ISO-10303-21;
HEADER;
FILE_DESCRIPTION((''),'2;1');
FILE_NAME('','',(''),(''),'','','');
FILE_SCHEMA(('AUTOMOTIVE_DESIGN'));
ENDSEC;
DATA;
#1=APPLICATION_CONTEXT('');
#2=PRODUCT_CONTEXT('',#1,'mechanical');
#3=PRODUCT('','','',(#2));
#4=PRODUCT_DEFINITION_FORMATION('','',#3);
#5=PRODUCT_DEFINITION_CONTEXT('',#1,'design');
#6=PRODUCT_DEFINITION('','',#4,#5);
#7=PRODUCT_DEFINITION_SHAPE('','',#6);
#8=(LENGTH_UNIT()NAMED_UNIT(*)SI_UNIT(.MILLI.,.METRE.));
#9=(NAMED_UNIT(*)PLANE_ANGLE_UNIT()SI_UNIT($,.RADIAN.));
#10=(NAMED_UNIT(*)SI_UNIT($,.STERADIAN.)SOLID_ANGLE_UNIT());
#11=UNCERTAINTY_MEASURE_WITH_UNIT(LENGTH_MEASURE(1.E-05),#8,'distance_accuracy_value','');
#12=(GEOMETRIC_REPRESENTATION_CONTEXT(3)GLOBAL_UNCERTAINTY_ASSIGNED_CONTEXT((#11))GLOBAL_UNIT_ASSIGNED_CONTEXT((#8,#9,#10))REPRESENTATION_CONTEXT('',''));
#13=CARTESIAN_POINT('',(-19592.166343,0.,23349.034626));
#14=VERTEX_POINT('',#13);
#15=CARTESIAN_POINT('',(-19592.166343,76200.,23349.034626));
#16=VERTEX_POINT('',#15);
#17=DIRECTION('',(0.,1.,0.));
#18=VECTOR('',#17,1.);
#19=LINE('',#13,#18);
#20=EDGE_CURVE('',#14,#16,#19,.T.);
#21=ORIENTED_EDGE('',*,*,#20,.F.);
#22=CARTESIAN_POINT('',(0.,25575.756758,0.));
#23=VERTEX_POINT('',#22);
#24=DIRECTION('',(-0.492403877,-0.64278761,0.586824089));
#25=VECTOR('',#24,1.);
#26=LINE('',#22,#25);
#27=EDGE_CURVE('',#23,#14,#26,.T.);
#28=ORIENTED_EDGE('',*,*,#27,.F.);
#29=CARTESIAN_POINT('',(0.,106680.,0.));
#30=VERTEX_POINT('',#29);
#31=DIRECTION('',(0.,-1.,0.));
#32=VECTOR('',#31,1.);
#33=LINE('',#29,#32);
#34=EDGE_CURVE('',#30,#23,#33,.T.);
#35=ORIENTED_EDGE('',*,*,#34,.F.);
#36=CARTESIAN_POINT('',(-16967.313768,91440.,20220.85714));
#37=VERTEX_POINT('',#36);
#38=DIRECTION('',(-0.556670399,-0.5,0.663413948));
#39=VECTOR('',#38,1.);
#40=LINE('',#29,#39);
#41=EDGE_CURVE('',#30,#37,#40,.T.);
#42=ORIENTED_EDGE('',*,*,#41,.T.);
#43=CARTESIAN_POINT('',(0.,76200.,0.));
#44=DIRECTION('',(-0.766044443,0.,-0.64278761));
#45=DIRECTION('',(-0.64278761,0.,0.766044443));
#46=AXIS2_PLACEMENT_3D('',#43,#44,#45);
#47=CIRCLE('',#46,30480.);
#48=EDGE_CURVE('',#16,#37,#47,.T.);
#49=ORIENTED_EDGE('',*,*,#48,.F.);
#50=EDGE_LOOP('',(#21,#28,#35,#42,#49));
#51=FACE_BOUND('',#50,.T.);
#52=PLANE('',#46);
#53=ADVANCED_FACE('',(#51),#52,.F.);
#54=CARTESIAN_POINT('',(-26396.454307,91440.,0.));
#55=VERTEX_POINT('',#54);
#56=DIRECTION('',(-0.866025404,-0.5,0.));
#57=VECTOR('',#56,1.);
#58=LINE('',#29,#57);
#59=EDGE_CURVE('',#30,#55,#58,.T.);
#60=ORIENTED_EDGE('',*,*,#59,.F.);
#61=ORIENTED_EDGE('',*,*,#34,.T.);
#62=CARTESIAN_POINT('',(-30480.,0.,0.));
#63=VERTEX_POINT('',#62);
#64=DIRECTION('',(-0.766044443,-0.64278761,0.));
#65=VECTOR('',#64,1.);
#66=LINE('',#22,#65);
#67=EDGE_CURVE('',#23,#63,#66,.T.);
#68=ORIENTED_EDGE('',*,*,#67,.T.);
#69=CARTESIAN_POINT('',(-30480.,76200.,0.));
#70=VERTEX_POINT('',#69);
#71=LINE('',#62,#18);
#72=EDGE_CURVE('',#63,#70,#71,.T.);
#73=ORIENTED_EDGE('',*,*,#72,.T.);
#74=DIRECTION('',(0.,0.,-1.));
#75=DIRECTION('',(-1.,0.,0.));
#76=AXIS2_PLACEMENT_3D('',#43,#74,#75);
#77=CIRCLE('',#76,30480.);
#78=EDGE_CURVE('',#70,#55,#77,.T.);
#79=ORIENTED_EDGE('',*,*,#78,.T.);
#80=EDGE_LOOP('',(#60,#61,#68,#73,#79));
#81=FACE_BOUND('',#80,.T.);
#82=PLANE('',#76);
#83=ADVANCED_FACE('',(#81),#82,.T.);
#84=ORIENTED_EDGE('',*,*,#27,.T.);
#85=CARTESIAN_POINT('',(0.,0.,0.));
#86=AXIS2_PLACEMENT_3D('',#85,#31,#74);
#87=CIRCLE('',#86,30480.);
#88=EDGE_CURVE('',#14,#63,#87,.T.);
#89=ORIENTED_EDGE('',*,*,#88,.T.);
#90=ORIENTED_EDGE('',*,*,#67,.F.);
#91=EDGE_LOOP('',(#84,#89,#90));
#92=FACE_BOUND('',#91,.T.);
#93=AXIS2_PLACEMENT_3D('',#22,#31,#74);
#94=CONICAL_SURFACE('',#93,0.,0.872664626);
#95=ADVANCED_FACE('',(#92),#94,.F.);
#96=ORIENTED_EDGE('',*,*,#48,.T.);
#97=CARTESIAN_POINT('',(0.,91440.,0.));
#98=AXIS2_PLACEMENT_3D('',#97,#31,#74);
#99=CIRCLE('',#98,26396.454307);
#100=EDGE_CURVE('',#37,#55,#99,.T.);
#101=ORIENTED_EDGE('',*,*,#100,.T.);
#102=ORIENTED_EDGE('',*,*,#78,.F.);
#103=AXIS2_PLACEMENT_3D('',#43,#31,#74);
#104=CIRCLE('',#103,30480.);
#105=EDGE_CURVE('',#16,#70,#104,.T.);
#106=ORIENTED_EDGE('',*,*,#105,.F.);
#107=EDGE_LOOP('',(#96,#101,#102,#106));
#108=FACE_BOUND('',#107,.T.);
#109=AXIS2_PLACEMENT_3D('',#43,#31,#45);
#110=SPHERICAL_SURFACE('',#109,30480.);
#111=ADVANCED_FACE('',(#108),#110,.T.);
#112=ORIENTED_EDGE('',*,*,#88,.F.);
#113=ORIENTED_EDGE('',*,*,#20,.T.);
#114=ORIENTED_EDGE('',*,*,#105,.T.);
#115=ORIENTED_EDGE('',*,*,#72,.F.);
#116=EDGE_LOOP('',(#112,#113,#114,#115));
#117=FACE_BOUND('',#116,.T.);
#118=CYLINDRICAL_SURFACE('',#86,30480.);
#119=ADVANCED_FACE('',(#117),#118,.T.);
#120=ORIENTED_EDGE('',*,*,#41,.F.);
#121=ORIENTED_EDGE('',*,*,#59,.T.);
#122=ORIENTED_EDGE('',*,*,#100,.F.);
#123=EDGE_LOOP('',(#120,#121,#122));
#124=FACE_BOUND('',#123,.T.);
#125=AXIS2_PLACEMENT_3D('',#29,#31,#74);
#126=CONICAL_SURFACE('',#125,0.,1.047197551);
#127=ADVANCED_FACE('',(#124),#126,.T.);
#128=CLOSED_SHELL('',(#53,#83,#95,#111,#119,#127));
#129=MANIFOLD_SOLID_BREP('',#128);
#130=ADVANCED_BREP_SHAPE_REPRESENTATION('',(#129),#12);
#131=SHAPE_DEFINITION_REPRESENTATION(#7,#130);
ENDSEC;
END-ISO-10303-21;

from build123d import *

# Parameters (mm, degrees)
REVOLVE1_ANGLE = 50


with BuildPart() as part:
    # Sketch1 → Revolve1 (revolve)
    with BuildSketch(Plane.XY):
        with BuildLine():
            Line((0, 106680), (-26396.45430735, 91440))
            ThreePointArc((-26396.45430735, 91440), (-29441.419185291, 84088.804494725), (-30480, 76200))
            Line((-30480, 76200), (-30480, 0))
            Line((-30480, 0), (0, 25575.756758284))
            Line((0, 25575.756758284), (0, 106680))
        make_face()
    revolve(axis=Axis((0, 0, 0), (0, 1, 0)), revolution_arc=REVOLVE1_ANGLE)


solid = part.part
